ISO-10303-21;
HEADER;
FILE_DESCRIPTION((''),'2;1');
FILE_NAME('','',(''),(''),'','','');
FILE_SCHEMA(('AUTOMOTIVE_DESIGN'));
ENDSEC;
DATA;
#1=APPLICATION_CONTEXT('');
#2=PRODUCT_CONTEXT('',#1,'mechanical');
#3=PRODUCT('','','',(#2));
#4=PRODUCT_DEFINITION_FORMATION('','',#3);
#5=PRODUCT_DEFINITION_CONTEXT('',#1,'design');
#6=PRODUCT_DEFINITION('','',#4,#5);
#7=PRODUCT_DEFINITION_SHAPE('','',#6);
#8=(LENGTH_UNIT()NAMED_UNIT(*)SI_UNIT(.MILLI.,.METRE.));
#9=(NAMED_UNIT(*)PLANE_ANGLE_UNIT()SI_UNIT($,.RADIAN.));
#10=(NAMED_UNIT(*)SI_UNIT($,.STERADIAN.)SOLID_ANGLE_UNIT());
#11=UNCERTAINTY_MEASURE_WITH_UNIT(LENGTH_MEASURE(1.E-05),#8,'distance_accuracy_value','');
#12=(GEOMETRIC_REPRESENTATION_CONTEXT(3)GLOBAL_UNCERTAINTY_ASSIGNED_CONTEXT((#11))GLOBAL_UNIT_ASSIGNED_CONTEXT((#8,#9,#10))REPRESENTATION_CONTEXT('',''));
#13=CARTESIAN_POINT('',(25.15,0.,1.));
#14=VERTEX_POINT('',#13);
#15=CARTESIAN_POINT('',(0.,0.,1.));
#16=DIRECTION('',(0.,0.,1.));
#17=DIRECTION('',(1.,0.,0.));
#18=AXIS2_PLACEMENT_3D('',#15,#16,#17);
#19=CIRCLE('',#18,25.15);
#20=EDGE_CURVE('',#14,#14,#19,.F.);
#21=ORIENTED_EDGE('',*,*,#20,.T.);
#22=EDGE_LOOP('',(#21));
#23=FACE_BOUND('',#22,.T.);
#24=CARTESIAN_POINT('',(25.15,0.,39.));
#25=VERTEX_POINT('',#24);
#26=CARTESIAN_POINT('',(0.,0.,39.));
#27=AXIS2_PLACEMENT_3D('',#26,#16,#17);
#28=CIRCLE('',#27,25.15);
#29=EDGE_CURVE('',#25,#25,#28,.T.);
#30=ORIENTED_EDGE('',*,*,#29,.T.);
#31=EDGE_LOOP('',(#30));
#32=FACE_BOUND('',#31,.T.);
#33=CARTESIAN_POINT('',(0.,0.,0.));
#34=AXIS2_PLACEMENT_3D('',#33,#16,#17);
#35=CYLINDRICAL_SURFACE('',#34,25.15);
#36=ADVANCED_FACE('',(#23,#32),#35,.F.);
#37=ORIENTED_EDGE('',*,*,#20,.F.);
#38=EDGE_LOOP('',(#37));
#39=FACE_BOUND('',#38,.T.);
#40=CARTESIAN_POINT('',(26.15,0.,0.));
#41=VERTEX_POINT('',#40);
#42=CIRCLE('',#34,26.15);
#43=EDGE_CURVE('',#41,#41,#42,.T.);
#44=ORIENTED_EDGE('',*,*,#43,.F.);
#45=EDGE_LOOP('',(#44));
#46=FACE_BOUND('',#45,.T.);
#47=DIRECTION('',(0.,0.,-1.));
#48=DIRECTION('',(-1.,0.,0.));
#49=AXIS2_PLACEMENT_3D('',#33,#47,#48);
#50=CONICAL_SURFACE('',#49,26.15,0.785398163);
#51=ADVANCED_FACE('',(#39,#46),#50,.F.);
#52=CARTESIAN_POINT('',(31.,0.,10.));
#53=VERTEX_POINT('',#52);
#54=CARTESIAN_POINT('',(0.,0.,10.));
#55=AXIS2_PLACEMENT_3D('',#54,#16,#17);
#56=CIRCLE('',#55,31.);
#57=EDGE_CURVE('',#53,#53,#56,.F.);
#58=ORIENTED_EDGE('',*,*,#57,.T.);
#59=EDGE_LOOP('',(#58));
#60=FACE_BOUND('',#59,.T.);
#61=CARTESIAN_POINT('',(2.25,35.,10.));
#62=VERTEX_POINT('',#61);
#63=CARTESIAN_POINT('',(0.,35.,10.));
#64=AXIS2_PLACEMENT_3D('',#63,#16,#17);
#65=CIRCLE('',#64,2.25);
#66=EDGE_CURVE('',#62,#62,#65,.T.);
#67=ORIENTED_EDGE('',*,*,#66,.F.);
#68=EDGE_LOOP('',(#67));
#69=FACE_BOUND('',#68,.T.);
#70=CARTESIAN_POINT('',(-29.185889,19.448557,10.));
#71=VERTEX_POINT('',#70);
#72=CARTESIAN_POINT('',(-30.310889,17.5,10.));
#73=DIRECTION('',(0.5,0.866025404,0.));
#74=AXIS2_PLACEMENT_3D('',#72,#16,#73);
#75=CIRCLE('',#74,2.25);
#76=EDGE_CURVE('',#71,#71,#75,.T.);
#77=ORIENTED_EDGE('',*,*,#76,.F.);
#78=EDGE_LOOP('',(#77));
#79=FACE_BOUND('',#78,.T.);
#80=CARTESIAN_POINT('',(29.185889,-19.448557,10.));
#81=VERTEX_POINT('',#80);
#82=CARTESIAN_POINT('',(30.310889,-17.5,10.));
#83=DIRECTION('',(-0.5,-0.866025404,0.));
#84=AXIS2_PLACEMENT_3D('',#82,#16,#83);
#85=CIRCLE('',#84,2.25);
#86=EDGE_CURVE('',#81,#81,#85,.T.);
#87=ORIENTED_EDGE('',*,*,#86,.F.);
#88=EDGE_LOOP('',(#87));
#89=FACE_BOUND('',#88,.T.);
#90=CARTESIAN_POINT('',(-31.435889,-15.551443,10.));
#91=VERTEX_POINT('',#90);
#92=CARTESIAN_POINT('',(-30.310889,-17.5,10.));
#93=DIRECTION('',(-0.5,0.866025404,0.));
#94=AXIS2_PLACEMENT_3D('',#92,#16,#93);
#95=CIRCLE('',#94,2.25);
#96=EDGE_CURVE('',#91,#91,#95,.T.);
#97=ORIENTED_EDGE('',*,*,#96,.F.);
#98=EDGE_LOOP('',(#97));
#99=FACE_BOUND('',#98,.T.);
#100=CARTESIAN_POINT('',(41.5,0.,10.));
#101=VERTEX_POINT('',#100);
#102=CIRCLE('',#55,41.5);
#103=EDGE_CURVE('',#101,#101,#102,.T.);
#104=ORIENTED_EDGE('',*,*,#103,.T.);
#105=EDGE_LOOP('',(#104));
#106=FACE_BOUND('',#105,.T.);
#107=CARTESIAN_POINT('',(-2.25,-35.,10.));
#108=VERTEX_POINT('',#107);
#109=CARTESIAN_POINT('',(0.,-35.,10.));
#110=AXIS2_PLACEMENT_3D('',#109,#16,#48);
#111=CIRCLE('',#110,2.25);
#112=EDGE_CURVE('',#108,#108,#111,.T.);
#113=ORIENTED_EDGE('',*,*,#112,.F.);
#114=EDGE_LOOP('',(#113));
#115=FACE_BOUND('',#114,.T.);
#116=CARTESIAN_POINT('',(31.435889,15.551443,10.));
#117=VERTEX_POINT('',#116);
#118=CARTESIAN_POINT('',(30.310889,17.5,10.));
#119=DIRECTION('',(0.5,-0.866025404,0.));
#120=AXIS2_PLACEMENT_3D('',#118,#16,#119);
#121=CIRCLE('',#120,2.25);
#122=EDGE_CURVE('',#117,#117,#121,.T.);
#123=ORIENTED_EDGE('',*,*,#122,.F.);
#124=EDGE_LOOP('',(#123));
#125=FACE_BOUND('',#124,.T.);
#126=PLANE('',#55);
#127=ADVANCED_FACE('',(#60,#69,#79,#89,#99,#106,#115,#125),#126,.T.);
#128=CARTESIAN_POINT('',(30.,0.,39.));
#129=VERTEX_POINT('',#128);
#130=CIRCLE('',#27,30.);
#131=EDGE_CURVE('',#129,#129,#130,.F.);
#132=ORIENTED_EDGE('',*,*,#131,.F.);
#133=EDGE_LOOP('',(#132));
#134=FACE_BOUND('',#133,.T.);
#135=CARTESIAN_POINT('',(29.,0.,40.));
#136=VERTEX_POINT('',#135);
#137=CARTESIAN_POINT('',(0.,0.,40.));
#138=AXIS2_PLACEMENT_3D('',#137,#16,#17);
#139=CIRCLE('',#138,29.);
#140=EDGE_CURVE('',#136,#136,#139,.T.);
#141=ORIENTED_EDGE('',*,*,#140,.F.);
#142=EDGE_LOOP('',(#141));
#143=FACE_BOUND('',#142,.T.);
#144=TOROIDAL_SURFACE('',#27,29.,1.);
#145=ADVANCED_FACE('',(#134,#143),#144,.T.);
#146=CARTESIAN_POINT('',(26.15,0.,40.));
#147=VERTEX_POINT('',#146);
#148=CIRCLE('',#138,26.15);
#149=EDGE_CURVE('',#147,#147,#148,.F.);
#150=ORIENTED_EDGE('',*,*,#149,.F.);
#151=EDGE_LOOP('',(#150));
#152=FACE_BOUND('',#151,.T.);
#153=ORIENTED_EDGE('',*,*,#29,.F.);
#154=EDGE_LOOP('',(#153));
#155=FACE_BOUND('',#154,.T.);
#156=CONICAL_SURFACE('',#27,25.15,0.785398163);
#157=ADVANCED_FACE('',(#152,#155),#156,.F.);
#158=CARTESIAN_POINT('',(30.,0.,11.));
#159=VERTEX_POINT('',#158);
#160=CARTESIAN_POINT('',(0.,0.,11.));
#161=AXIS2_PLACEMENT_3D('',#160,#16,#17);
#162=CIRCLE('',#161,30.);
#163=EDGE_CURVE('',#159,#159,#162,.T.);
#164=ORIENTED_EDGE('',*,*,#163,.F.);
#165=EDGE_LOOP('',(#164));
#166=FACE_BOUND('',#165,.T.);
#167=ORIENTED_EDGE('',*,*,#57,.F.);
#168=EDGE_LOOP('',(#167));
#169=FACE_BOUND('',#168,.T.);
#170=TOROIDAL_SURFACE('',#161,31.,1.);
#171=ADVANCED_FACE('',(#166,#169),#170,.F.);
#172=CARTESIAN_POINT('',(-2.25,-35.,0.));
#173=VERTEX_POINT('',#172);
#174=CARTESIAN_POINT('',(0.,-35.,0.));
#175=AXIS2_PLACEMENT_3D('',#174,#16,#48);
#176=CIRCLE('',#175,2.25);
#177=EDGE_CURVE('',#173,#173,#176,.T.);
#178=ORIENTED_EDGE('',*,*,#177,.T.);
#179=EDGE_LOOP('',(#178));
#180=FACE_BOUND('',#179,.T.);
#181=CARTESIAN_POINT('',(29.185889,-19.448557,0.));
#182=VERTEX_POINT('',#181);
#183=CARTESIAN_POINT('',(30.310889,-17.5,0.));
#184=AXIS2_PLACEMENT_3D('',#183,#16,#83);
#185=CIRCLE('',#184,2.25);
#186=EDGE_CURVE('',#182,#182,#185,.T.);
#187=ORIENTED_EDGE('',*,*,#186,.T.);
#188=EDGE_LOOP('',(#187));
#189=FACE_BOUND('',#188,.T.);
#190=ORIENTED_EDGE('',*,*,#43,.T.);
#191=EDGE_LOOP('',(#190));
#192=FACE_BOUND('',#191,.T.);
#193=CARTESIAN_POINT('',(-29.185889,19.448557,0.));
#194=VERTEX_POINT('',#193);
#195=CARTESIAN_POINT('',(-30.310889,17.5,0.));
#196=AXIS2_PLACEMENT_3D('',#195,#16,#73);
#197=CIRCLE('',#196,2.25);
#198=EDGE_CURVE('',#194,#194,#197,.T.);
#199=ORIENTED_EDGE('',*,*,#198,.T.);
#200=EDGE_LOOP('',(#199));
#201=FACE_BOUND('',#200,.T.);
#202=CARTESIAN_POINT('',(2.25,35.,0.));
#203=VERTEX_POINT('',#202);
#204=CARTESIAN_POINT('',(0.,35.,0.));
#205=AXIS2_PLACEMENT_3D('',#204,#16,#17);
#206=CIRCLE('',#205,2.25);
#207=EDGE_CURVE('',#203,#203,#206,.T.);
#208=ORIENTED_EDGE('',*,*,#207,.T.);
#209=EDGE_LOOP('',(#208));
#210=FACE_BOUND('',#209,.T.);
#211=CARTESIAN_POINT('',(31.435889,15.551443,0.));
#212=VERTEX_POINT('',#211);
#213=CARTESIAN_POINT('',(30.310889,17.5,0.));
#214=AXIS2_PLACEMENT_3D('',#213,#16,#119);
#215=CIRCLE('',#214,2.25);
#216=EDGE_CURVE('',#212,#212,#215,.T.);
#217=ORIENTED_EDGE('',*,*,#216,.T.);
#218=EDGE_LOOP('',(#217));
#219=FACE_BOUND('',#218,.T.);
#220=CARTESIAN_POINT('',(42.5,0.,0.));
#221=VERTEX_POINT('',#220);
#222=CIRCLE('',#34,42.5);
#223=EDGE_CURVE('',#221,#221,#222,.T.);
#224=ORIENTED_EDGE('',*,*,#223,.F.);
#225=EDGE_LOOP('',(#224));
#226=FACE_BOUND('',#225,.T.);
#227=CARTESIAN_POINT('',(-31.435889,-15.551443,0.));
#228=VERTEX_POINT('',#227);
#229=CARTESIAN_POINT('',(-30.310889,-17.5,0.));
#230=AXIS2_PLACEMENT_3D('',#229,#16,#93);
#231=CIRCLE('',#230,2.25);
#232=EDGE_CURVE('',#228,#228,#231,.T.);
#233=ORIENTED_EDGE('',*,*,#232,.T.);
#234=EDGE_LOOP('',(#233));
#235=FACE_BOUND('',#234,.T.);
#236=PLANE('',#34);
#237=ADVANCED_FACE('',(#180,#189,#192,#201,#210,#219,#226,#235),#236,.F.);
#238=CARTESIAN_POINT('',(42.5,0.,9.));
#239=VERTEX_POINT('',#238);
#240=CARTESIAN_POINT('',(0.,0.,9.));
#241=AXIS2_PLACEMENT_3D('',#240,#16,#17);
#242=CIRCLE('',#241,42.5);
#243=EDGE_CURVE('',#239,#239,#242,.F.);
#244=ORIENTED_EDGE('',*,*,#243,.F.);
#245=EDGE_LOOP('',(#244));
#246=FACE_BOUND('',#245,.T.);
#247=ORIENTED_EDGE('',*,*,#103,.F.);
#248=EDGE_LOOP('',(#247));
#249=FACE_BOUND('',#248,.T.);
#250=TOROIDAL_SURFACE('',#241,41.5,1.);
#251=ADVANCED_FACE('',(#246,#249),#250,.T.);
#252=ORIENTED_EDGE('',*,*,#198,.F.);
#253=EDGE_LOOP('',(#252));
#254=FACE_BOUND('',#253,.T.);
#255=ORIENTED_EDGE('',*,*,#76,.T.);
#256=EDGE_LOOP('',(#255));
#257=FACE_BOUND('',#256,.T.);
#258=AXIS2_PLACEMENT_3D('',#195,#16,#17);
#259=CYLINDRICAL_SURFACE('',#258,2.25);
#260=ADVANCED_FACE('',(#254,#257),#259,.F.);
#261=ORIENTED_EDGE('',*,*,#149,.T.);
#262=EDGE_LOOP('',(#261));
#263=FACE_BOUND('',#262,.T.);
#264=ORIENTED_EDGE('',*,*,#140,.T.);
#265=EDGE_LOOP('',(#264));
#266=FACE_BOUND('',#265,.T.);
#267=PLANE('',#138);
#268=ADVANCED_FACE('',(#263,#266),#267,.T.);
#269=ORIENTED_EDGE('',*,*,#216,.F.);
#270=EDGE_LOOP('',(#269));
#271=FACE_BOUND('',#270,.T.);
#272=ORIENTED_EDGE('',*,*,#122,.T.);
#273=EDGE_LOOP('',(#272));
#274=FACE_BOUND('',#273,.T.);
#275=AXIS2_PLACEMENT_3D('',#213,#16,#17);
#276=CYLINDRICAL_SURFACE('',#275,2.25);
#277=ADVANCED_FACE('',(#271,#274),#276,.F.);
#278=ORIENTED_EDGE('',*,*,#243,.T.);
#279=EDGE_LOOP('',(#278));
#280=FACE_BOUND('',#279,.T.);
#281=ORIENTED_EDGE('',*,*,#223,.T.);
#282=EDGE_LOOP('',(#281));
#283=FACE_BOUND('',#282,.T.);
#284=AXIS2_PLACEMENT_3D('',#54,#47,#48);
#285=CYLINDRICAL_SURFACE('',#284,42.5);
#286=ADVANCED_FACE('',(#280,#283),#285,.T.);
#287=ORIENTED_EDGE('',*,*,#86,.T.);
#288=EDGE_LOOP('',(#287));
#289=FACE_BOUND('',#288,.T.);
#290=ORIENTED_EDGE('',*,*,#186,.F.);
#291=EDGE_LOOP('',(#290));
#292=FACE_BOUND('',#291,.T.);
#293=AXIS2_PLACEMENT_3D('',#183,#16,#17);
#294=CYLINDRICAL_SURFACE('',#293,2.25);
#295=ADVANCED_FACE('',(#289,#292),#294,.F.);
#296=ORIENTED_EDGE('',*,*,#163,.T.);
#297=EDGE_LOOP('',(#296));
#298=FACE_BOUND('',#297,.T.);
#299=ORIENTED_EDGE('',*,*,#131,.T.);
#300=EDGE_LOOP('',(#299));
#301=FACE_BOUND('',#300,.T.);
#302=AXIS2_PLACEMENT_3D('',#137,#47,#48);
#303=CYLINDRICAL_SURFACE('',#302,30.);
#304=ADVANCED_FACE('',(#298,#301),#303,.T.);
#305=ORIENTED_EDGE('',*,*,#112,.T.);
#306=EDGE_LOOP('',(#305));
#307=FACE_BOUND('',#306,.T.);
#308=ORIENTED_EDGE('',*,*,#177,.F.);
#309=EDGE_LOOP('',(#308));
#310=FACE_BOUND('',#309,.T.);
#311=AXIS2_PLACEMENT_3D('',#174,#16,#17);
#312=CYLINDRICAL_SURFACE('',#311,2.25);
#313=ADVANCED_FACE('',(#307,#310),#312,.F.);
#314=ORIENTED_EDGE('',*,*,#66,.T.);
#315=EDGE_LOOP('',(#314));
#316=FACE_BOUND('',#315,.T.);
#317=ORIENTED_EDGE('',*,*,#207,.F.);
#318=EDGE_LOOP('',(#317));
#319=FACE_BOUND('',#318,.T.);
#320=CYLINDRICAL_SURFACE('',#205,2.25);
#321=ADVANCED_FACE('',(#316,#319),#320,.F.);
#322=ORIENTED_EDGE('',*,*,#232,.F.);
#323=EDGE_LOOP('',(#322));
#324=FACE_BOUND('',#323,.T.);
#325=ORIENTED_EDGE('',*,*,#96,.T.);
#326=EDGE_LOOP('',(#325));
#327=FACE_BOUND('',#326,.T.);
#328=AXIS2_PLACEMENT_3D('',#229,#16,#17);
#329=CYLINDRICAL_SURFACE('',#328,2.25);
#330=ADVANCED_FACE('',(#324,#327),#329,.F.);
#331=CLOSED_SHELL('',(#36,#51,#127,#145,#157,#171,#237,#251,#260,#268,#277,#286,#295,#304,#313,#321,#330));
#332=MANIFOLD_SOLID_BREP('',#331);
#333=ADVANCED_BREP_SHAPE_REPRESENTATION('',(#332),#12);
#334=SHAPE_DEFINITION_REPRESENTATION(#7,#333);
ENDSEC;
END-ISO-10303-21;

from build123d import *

# Parameters (mm, degrees)
SKETCH1_R           = 42.5
BOSS_EXTRUDE1_DEPTH = 10
SKETCH2_R           = 30
BOSS_EXTRUDE2_DEPTH = 30
SKETCH3_R           = 25.15
CUT_EXTRUDE1_DEPTH  = 73.197645391
CHAMFER1_SIZE       = 1
FILLET1_R           = 1
SKETCH4_R           = 2.25
CUT_EXTRUDE2_DEPTH  = 68.175144276
CIRPATTERN1_COUNT   = 6


with BuildPart() as part:
    # Sketch1 → Boss-Extrude1 (new body)
    with BuildSketch(Plane.XY):
        Circle(SKETCH1_R)
    extrude(amount=BOSS_EXTRUDE1_DEPTH)

    # Sketch2 → Boss-Extrude2 (add)
    with BuildSketch(Plane.XY.offset(10)):
        Circle(SKETCH2_R)
    extrude(amount=BOSS_EXTRUDE2_DEPTH)

    # Sketch3 → Cut-Extrude1 (cut, through all)
    with BuildSketch(Plane.XY.offset(40)):
        Circle(SKETCH3_R)
    extrude(amount=-CUT_EXTRUDE1_DEPTH, mode=Mode.SUBTRACT)

    # Chamfer1
    chamfer1_edges = [part.edges().sort_by_distance(p)[0] for p in [
        (-25.15, 0, 0),
        (-25.15, 0, 40),
    ]]
    chamfer(chamfer1_edges, length=CHAMFER1_SIZE)

    # Fillet1
    fillet1_edges = [part.edges().sort_by_distance(p)[0] for p in [
        (-42.5, 0, 10),
        (-30, 0, 10),
        (-30, 0, 40),
    ]]
    fillet(fillet1_edges, radius=FILLET1_R)

    # Sketch4 → Cut-Extrude2 (cut, through all)
    with BuildSketch(Plane.XY.offset(10)):
        with Locations((0, 35)):
            Circle(SKETCH4_R)
    cut_extrude2 = extrude(amount=-CUT_EXTRUDE2_DEPTH, mode=Mode.SUBTRACT)

    # CirPattern1: Cut-Extrude2 ×6 about axis
    cirpattern1_axis = Axis((0, 0, 0), (0, 0, 1))
    for i in range(1, CIRPATTERN1_COUNT):
        add(cut_extrude2.rotate(cirpattern1_axis, i * 360 / CIRPATTERN1_COUNT), mode=Mode.SUBTRACT)


solid = part.part
